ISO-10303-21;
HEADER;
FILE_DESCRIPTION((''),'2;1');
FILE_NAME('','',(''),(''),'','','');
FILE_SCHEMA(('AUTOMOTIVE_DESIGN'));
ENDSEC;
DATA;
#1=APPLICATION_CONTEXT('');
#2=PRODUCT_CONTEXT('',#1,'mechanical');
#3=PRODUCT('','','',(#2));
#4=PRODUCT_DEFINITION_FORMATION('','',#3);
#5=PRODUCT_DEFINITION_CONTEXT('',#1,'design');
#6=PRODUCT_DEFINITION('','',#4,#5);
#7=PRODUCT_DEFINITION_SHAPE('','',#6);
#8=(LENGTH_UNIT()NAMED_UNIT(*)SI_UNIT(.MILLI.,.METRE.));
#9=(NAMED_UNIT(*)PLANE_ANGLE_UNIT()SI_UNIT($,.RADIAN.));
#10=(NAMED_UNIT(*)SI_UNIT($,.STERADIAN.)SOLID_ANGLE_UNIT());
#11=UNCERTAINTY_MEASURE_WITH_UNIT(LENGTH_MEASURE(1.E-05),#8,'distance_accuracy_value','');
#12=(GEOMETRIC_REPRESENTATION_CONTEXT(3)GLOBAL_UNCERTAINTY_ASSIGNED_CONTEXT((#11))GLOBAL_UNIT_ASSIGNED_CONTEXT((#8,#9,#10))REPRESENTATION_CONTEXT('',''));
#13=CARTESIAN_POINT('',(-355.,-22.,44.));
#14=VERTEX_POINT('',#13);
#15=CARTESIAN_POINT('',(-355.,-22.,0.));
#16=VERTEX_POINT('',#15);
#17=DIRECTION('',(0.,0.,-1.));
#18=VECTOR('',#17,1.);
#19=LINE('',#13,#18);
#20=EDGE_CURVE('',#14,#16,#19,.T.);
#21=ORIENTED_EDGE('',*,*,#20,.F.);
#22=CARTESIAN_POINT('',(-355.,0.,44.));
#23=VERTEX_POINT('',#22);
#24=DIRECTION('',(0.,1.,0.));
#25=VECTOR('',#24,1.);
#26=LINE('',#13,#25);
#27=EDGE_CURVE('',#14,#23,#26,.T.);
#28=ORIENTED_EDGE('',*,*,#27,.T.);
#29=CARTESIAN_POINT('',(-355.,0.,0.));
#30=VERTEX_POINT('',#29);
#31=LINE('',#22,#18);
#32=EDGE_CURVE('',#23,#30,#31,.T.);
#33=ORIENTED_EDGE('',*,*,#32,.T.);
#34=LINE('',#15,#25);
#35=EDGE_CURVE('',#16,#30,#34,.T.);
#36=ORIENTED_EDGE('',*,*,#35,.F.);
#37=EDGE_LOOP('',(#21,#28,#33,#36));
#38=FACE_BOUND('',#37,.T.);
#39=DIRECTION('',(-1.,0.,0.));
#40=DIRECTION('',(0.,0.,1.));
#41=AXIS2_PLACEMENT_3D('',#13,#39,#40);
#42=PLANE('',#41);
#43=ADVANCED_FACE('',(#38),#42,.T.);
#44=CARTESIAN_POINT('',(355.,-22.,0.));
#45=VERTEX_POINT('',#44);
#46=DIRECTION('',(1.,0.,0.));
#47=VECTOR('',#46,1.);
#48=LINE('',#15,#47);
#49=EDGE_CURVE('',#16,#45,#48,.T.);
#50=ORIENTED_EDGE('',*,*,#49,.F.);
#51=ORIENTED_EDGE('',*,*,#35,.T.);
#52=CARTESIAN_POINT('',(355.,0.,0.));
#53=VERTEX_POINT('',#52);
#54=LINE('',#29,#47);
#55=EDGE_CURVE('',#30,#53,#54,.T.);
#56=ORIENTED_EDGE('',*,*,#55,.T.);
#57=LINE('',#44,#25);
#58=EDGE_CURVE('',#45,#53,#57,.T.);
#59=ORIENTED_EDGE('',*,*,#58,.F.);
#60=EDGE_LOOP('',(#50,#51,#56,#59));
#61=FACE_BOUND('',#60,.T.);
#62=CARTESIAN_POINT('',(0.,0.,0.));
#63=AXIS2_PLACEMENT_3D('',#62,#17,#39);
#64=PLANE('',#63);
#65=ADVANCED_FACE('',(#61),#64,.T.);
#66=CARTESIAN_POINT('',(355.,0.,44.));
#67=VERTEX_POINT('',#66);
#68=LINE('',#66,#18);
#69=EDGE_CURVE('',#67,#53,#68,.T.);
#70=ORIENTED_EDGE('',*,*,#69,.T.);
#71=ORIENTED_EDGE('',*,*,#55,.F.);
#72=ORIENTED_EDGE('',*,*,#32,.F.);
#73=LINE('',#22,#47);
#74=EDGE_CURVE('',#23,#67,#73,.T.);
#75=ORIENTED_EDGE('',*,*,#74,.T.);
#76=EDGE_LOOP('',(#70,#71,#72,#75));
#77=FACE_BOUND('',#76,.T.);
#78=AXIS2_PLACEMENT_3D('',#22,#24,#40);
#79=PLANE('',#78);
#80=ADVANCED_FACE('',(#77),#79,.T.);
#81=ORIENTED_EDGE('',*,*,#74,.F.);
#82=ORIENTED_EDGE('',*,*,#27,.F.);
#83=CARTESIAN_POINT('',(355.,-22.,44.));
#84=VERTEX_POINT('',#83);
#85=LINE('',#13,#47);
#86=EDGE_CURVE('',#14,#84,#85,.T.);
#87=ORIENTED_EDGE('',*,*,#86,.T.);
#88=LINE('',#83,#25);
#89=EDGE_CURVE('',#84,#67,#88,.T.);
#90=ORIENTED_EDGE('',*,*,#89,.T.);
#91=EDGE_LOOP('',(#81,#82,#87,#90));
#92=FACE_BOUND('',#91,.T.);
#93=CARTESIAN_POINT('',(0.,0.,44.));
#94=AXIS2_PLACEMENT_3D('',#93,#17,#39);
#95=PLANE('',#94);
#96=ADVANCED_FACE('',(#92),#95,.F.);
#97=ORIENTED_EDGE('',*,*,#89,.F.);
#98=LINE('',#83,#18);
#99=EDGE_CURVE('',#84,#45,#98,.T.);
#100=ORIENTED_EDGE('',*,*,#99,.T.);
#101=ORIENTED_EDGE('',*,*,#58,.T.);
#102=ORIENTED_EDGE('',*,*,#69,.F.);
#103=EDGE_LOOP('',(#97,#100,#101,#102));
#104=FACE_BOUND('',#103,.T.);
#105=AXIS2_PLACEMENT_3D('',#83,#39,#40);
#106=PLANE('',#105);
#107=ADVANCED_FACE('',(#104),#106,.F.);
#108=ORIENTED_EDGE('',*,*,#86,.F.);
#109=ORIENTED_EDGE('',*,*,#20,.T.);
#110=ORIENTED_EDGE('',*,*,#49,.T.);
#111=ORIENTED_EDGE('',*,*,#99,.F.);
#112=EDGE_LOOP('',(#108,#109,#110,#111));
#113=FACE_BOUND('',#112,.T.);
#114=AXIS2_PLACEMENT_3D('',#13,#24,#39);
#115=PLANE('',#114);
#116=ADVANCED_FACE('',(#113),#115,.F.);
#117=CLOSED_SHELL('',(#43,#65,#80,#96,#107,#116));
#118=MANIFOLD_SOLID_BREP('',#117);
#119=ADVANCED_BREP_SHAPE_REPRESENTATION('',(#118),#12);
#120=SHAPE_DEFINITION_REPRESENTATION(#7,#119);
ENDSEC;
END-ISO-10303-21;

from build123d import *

# Parameters (mm, degrees)
ESQUISSE1_W        = 710
ESQUISSE1_H        = 22
BOSS_EXTRU_1_DEPTH = 44


with BuildPart() as part:
    # Esquisse1 → Boss.-Extru.1 (new body)
    with BuildSketch(Plane.XY):
        with Locations((0, -11)):
            Rectangle(ESQUISSE1_W, ESQUISSE1_H)
    extrude(amount=BOSS_EXTRU_1_DEPTH)


solid = part.part
